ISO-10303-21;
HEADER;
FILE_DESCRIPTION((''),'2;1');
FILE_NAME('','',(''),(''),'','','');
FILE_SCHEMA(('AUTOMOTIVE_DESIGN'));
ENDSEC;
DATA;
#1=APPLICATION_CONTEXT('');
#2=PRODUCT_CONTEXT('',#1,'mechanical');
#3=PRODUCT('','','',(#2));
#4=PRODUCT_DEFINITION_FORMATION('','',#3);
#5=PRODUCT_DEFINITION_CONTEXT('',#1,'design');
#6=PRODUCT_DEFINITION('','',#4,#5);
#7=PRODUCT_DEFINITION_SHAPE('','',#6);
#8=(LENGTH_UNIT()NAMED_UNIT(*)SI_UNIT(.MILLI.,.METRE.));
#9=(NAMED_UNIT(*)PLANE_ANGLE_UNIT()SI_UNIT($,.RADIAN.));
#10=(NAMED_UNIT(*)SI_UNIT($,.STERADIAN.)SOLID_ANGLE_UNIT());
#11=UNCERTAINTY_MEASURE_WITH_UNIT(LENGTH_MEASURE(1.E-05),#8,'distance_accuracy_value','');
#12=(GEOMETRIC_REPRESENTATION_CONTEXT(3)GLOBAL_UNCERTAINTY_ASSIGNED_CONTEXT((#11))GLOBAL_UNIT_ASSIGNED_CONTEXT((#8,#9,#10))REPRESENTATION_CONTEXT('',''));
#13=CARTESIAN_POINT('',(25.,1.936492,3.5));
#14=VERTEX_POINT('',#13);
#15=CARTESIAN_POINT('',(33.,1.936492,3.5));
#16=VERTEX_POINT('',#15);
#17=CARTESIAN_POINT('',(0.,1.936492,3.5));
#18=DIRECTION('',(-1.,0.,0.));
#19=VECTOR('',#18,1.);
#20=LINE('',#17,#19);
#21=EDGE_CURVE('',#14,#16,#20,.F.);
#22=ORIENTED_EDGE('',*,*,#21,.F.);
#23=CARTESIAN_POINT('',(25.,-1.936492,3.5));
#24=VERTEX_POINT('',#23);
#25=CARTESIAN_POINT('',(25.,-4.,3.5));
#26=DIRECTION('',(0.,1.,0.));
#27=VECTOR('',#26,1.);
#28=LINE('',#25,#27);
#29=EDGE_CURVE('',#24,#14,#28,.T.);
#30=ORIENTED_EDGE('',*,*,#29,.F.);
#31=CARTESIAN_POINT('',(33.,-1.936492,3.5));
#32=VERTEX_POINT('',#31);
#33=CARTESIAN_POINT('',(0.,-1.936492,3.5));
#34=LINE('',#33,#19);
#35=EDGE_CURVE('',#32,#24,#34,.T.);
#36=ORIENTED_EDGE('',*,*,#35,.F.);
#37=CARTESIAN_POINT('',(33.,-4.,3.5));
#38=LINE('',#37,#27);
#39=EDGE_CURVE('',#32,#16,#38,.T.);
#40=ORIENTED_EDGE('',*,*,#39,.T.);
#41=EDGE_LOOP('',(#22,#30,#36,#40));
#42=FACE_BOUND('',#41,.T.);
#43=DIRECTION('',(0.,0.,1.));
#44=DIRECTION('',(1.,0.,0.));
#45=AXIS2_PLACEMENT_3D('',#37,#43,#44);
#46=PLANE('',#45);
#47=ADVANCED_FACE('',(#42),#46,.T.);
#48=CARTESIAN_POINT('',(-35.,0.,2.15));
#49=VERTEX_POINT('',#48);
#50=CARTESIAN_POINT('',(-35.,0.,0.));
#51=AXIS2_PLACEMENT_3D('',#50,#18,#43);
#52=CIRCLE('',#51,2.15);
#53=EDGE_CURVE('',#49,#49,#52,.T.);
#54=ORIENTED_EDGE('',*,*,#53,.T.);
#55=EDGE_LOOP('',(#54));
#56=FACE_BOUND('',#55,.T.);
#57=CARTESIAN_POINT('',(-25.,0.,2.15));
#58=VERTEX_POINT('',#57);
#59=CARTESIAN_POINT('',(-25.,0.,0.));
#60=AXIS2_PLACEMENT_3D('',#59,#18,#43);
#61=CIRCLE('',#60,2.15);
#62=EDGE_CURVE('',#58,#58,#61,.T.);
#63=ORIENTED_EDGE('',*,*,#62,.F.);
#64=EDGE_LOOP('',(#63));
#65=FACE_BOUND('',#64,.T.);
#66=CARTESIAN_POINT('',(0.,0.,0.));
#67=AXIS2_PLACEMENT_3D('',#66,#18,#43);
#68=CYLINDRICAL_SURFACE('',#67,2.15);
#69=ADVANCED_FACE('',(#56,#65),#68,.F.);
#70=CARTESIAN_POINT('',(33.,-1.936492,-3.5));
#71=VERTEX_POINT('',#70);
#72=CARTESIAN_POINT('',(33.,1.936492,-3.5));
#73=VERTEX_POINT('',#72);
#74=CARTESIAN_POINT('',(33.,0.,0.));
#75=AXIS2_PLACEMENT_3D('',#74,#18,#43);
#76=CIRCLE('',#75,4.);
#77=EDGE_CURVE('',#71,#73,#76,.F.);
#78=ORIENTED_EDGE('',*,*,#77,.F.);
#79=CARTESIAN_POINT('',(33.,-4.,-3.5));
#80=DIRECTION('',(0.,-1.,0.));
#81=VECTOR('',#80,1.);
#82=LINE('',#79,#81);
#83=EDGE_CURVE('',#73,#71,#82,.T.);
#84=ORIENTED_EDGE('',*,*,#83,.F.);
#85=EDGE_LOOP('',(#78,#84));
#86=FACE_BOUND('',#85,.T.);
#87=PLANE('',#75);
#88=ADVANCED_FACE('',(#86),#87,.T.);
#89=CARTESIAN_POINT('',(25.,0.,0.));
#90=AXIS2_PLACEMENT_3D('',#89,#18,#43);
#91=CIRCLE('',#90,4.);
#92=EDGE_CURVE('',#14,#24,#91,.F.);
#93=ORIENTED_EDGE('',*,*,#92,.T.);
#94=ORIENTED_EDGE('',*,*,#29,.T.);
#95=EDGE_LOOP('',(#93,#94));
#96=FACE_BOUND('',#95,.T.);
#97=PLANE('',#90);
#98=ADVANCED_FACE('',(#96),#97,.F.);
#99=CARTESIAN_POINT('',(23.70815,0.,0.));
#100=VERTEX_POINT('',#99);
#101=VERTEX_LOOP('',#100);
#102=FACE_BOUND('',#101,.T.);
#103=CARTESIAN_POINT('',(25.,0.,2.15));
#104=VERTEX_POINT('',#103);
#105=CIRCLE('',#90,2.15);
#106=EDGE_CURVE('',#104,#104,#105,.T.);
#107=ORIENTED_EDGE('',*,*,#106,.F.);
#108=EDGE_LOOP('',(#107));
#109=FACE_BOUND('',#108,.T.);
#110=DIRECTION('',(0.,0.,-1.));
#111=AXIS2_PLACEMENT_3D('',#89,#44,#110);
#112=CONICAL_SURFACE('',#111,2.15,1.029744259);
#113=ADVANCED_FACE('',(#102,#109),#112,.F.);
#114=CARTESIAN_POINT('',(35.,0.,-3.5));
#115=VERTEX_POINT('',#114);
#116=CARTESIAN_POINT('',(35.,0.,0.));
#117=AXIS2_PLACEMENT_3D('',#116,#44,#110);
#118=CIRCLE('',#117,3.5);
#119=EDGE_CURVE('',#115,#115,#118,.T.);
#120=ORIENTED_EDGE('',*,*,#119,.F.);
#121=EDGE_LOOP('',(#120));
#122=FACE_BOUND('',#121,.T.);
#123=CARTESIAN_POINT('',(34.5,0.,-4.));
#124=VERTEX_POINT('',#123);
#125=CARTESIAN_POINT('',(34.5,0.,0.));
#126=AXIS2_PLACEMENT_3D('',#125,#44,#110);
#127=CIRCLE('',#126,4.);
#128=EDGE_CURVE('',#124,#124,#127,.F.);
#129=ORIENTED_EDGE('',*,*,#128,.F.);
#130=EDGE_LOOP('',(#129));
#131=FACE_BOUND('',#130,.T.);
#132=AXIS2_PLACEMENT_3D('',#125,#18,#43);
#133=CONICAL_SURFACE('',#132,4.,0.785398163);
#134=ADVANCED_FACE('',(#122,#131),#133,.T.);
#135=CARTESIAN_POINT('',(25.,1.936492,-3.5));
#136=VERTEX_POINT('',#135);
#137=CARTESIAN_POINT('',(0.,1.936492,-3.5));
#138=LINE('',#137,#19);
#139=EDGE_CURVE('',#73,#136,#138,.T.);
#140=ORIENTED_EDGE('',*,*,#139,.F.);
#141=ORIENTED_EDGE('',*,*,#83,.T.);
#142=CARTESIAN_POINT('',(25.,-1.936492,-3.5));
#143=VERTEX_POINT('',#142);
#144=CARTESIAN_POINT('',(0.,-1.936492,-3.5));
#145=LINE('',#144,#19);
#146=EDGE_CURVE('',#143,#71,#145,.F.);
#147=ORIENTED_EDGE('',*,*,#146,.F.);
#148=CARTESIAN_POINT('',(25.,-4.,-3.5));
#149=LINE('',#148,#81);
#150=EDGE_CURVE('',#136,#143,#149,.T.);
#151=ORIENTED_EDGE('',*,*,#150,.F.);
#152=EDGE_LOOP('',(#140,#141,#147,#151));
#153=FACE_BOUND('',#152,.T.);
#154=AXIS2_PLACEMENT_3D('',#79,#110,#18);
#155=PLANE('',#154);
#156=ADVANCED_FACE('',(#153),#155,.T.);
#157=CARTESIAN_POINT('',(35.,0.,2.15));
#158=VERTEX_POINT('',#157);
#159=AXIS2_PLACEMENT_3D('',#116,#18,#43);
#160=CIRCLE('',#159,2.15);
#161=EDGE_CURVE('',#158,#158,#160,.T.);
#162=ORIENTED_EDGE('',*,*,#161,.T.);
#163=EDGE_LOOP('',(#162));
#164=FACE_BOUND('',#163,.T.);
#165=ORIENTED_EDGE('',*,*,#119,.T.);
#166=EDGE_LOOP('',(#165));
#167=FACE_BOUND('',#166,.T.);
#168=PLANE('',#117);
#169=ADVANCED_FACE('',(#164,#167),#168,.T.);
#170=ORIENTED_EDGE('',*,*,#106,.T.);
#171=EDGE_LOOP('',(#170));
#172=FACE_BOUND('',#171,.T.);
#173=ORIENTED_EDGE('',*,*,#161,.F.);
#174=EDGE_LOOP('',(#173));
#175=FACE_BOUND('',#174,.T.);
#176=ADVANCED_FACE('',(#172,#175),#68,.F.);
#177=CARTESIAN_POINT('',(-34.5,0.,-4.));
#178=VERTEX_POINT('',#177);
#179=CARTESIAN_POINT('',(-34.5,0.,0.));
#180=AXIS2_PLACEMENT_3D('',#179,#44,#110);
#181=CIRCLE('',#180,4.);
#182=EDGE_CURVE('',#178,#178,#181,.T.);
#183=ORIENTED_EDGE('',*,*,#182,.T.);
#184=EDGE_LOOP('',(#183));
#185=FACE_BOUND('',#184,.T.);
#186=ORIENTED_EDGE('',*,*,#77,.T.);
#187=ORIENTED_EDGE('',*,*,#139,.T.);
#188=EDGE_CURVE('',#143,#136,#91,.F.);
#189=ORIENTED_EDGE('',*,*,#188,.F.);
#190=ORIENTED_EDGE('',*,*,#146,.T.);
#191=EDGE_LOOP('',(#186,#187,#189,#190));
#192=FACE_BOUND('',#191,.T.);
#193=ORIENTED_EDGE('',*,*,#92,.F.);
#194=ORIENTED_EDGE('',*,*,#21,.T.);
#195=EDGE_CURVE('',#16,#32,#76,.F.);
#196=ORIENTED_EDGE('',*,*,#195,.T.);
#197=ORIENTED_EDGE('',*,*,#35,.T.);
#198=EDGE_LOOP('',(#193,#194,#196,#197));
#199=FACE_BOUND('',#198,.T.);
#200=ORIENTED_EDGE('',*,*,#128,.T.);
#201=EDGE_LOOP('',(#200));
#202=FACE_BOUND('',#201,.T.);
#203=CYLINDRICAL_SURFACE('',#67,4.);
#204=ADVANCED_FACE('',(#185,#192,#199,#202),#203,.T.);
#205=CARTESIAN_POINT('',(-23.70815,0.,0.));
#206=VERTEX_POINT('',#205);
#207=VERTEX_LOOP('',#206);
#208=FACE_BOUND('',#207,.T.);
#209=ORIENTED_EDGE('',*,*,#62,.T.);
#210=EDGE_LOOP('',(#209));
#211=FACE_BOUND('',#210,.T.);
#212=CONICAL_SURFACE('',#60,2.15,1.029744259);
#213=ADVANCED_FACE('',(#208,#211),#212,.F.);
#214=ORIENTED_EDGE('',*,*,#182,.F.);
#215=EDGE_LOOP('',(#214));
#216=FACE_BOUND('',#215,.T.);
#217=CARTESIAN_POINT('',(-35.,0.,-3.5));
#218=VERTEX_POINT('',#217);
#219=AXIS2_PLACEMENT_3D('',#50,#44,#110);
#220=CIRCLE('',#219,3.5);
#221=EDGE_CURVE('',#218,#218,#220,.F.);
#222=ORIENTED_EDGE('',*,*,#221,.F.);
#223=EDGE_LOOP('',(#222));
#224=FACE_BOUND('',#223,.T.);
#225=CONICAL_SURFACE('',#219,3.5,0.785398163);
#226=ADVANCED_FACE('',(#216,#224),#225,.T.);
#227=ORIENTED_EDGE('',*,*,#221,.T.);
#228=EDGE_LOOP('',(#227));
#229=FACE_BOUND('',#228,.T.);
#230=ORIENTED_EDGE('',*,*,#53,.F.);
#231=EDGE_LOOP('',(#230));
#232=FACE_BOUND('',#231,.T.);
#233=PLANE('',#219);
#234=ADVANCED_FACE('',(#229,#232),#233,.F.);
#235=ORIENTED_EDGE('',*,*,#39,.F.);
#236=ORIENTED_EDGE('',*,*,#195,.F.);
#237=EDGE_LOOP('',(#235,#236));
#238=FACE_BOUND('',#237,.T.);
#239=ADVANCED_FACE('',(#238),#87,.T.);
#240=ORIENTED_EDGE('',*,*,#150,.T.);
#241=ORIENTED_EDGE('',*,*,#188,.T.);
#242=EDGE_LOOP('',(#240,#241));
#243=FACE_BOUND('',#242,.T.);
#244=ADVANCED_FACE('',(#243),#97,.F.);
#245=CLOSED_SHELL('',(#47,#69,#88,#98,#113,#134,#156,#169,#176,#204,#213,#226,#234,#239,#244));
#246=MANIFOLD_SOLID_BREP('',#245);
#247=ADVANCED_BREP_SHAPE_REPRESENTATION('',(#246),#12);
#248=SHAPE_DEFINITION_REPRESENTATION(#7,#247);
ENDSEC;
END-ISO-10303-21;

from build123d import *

# Parameters (mm, degrees)
CHAMFER_1_SIZE       = 0.5
SKETCH_2_OUTSIDE_W   = 24.182
SKETCH_2_OUTSIDE_H   = 24.182
SKETCH_2_OUTSIDE_W_2 = 7
SKETCH_2_OUTSIDE_H_2 = 8
CUT_EXTRUDE_1_DEPTH  = 8


with BuildPart() as part:
    # 草图1 → 旋转1 (revolve)
    with BuildSketch(Plane.XY, mode=Mode.PRIVATE) as revolve_1_sk:
        Polygon((-35, 2.15), (-25, 2.15), (-23.708149669, 0), (23.708149669, 0), (25, 2.15), (35, 2.15), (35, 4), (-35, 4), align=None)
    revolve(revolve_1_sk.sketch.rotate(Axis((0, 0, 0), (1, 0, 0)), 90), axis=Axis((0, 0, 0), (1, 0, 0)))

    # 倒角1
    chamfer_1_edges = [part.edges().sort_by_distance(p)[0] for p in [
        (-35, 0, -4),
        (35, 0, -4),
    ]]
    chamfer(chamfer_1_edges, length=CHAMFER_1_SIZE)

    # 草图2 outside → 切除-拉伸1 (cut)
    with BuildSketch(Plane.ZY.offset(-25)):
        Rectangle(SKETCH_2_OUTSIDE_W, SKETCH_2_OUTSIDE_H)
        Rectangle(SKETCH_2_OUTSIDE_W_2, SKETCH_2_OUTSIDE_H_2, mode=Mode.SUBTRACT)
    extrude(amount=-CUT_EXTRUDE_1_DEPTH, mode=Mode.SUBTRACT)


solid = part.part
